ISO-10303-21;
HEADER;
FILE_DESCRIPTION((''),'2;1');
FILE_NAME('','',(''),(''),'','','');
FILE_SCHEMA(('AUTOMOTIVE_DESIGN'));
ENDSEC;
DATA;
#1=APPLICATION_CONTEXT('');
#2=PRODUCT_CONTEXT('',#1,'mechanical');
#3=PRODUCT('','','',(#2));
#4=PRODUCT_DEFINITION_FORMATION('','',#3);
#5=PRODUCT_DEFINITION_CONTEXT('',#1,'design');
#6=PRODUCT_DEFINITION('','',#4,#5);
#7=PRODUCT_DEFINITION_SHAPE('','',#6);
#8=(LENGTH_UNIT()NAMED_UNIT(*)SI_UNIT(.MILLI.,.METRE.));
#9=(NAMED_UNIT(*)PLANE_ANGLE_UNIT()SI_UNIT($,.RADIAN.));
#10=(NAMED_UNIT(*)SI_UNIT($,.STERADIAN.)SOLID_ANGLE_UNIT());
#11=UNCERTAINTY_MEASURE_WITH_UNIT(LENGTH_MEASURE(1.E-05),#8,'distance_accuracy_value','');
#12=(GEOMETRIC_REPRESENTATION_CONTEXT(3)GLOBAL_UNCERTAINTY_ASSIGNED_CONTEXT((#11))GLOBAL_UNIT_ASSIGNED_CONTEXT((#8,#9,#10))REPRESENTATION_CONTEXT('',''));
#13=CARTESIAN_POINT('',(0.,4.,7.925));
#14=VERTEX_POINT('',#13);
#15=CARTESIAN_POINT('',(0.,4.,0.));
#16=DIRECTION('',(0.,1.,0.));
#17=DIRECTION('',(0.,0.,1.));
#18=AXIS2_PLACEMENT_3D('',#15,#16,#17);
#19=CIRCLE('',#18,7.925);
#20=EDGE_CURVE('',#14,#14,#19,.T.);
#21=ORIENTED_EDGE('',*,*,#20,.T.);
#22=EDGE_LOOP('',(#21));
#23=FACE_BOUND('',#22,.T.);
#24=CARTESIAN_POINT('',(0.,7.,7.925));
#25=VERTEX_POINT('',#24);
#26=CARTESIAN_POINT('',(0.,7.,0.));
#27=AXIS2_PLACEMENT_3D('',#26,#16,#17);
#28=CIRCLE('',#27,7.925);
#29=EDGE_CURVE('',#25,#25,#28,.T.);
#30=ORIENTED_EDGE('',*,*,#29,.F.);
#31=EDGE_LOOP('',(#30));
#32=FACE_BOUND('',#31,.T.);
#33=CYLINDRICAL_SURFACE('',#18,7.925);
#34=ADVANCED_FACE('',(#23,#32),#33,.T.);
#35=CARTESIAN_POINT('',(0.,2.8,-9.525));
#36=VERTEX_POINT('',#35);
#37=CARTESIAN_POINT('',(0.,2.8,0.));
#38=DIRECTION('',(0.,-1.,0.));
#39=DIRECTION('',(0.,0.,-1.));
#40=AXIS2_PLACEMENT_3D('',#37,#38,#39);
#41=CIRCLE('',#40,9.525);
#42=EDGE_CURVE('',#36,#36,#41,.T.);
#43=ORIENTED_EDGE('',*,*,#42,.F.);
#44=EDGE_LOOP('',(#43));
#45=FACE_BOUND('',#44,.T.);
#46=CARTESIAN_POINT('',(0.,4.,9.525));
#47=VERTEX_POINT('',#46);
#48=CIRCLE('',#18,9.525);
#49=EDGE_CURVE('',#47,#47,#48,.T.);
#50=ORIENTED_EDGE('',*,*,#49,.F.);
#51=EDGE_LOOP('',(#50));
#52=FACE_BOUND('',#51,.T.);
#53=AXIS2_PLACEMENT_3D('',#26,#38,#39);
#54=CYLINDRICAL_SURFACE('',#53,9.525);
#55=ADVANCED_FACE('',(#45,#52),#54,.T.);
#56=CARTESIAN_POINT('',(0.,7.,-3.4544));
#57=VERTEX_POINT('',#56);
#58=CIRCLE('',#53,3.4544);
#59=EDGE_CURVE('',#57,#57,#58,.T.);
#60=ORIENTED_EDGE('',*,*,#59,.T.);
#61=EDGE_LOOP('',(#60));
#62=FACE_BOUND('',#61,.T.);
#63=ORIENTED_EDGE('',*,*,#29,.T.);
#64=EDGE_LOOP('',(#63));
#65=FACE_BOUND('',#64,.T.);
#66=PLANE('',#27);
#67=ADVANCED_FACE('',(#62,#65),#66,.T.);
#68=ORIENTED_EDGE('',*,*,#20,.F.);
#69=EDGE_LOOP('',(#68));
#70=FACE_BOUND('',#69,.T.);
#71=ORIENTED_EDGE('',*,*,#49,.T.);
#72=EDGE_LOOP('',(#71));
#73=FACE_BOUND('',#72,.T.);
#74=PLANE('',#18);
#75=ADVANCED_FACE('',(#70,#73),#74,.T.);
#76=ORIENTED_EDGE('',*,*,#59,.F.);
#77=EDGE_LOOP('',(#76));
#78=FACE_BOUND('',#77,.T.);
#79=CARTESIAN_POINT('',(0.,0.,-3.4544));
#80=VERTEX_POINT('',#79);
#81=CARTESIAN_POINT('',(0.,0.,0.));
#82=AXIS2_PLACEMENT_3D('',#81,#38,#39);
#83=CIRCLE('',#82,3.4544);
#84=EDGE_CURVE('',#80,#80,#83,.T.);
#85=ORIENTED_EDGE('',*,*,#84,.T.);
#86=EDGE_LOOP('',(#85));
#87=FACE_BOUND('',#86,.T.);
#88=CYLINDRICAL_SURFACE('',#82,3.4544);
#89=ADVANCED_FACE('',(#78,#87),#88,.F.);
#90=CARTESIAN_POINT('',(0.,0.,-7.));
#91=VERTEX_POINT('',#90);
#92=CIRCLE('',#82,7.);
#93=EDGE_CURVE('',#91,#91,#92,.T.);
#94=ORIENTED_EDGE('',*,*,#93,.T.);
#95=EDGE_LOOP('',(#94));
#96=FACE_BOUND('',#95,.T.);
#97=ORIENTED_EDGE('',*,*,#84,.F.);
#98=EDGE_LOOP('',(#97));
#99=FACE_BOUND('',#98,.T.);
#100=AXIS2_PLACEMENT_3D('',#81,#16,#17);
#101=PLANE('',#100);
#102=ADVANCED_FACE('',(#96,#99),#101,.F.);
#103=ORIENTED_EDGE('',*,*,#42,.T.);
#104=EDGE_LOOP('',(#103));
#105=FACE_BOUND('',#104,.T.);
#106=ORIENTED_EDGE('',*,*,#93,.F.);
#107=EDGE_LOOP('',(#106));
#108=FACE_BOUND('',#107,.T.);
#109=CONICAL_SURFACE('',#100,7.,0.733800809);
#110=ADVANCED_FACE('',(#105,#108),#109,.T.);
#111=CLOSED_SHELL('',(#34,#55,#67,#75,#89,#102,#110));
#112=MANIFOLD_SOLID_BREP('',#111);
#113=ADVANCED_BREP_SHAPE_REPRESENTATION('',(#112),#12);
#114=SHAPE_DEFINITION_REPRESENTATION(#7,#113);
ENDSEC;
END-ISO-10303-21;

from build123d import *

# Parameters (mm, degrees)
SKETCH1_R                = 9.525
EXTRUDE1_DEPTH           = 7
F_5_16_24_TAPPED_HOLE1_D = 6.9088
SKETCH3_OUTSIDE_W        = 26.618
SKETCH3_OUTSIDE_H        = 26.618
SKETCH3_OUTSIDE_R        = 7.925
EXTRUDE3_DEPTH           = 3


with BuildPart() as part:
    # Sketch1 → Extrude1 (new body)
    with BuildSketch(Plane(origin=(0, 0, 0), x_dir=(1, 0, 0), z_dir=(0, 1, 0))):
        Circle(SKETCH1_R)
    extrude(amount=EXTRUDE1_DEPTH)

    # 5/16-24 Tapped Hole1 (through all)
    with Locations(Plane(origin=(0, 0, 0), x_dir=(-1, 0, 0), z_dir=(0, -1, 0))):
        with Locations((0, 0)):
            Hole(F_5_16_24_TAPPED_HOLE1_D / 2)

    # Sketch3 outside → Extrude3 (cut)
    with BuildSketch(Plane(origin=(0, 7, 0), x_dir=(1, 0, 0), z_dir=(0, 1, 0))):
        Rectangle(SKETCH3_OUTSIDE_W, SKETCH3_OUTSIDE_H)
        Circle(SKETCH3_OUTSIDE_R, mode=Mode.SUBTRACT)
    extrude(amount=-EXTRUDE3_DEPTH, mode=Mode.SUBTRACT)

    # Sketch6 → Cut-Revolve1 (revolve, cut)
    with BuildSketch(Plane.XY):
        Polygon((-9.525, 2.8), (-7, 0), (-7, -3.811390031), (-11.858524977, -3.811390031), (-11.858524977, 2.8), align=None)
    revolve(axis=Axis((0, 0, 0), (0, 1, 0)), mode=Mode.SUBTRACT)


solid = part.part
